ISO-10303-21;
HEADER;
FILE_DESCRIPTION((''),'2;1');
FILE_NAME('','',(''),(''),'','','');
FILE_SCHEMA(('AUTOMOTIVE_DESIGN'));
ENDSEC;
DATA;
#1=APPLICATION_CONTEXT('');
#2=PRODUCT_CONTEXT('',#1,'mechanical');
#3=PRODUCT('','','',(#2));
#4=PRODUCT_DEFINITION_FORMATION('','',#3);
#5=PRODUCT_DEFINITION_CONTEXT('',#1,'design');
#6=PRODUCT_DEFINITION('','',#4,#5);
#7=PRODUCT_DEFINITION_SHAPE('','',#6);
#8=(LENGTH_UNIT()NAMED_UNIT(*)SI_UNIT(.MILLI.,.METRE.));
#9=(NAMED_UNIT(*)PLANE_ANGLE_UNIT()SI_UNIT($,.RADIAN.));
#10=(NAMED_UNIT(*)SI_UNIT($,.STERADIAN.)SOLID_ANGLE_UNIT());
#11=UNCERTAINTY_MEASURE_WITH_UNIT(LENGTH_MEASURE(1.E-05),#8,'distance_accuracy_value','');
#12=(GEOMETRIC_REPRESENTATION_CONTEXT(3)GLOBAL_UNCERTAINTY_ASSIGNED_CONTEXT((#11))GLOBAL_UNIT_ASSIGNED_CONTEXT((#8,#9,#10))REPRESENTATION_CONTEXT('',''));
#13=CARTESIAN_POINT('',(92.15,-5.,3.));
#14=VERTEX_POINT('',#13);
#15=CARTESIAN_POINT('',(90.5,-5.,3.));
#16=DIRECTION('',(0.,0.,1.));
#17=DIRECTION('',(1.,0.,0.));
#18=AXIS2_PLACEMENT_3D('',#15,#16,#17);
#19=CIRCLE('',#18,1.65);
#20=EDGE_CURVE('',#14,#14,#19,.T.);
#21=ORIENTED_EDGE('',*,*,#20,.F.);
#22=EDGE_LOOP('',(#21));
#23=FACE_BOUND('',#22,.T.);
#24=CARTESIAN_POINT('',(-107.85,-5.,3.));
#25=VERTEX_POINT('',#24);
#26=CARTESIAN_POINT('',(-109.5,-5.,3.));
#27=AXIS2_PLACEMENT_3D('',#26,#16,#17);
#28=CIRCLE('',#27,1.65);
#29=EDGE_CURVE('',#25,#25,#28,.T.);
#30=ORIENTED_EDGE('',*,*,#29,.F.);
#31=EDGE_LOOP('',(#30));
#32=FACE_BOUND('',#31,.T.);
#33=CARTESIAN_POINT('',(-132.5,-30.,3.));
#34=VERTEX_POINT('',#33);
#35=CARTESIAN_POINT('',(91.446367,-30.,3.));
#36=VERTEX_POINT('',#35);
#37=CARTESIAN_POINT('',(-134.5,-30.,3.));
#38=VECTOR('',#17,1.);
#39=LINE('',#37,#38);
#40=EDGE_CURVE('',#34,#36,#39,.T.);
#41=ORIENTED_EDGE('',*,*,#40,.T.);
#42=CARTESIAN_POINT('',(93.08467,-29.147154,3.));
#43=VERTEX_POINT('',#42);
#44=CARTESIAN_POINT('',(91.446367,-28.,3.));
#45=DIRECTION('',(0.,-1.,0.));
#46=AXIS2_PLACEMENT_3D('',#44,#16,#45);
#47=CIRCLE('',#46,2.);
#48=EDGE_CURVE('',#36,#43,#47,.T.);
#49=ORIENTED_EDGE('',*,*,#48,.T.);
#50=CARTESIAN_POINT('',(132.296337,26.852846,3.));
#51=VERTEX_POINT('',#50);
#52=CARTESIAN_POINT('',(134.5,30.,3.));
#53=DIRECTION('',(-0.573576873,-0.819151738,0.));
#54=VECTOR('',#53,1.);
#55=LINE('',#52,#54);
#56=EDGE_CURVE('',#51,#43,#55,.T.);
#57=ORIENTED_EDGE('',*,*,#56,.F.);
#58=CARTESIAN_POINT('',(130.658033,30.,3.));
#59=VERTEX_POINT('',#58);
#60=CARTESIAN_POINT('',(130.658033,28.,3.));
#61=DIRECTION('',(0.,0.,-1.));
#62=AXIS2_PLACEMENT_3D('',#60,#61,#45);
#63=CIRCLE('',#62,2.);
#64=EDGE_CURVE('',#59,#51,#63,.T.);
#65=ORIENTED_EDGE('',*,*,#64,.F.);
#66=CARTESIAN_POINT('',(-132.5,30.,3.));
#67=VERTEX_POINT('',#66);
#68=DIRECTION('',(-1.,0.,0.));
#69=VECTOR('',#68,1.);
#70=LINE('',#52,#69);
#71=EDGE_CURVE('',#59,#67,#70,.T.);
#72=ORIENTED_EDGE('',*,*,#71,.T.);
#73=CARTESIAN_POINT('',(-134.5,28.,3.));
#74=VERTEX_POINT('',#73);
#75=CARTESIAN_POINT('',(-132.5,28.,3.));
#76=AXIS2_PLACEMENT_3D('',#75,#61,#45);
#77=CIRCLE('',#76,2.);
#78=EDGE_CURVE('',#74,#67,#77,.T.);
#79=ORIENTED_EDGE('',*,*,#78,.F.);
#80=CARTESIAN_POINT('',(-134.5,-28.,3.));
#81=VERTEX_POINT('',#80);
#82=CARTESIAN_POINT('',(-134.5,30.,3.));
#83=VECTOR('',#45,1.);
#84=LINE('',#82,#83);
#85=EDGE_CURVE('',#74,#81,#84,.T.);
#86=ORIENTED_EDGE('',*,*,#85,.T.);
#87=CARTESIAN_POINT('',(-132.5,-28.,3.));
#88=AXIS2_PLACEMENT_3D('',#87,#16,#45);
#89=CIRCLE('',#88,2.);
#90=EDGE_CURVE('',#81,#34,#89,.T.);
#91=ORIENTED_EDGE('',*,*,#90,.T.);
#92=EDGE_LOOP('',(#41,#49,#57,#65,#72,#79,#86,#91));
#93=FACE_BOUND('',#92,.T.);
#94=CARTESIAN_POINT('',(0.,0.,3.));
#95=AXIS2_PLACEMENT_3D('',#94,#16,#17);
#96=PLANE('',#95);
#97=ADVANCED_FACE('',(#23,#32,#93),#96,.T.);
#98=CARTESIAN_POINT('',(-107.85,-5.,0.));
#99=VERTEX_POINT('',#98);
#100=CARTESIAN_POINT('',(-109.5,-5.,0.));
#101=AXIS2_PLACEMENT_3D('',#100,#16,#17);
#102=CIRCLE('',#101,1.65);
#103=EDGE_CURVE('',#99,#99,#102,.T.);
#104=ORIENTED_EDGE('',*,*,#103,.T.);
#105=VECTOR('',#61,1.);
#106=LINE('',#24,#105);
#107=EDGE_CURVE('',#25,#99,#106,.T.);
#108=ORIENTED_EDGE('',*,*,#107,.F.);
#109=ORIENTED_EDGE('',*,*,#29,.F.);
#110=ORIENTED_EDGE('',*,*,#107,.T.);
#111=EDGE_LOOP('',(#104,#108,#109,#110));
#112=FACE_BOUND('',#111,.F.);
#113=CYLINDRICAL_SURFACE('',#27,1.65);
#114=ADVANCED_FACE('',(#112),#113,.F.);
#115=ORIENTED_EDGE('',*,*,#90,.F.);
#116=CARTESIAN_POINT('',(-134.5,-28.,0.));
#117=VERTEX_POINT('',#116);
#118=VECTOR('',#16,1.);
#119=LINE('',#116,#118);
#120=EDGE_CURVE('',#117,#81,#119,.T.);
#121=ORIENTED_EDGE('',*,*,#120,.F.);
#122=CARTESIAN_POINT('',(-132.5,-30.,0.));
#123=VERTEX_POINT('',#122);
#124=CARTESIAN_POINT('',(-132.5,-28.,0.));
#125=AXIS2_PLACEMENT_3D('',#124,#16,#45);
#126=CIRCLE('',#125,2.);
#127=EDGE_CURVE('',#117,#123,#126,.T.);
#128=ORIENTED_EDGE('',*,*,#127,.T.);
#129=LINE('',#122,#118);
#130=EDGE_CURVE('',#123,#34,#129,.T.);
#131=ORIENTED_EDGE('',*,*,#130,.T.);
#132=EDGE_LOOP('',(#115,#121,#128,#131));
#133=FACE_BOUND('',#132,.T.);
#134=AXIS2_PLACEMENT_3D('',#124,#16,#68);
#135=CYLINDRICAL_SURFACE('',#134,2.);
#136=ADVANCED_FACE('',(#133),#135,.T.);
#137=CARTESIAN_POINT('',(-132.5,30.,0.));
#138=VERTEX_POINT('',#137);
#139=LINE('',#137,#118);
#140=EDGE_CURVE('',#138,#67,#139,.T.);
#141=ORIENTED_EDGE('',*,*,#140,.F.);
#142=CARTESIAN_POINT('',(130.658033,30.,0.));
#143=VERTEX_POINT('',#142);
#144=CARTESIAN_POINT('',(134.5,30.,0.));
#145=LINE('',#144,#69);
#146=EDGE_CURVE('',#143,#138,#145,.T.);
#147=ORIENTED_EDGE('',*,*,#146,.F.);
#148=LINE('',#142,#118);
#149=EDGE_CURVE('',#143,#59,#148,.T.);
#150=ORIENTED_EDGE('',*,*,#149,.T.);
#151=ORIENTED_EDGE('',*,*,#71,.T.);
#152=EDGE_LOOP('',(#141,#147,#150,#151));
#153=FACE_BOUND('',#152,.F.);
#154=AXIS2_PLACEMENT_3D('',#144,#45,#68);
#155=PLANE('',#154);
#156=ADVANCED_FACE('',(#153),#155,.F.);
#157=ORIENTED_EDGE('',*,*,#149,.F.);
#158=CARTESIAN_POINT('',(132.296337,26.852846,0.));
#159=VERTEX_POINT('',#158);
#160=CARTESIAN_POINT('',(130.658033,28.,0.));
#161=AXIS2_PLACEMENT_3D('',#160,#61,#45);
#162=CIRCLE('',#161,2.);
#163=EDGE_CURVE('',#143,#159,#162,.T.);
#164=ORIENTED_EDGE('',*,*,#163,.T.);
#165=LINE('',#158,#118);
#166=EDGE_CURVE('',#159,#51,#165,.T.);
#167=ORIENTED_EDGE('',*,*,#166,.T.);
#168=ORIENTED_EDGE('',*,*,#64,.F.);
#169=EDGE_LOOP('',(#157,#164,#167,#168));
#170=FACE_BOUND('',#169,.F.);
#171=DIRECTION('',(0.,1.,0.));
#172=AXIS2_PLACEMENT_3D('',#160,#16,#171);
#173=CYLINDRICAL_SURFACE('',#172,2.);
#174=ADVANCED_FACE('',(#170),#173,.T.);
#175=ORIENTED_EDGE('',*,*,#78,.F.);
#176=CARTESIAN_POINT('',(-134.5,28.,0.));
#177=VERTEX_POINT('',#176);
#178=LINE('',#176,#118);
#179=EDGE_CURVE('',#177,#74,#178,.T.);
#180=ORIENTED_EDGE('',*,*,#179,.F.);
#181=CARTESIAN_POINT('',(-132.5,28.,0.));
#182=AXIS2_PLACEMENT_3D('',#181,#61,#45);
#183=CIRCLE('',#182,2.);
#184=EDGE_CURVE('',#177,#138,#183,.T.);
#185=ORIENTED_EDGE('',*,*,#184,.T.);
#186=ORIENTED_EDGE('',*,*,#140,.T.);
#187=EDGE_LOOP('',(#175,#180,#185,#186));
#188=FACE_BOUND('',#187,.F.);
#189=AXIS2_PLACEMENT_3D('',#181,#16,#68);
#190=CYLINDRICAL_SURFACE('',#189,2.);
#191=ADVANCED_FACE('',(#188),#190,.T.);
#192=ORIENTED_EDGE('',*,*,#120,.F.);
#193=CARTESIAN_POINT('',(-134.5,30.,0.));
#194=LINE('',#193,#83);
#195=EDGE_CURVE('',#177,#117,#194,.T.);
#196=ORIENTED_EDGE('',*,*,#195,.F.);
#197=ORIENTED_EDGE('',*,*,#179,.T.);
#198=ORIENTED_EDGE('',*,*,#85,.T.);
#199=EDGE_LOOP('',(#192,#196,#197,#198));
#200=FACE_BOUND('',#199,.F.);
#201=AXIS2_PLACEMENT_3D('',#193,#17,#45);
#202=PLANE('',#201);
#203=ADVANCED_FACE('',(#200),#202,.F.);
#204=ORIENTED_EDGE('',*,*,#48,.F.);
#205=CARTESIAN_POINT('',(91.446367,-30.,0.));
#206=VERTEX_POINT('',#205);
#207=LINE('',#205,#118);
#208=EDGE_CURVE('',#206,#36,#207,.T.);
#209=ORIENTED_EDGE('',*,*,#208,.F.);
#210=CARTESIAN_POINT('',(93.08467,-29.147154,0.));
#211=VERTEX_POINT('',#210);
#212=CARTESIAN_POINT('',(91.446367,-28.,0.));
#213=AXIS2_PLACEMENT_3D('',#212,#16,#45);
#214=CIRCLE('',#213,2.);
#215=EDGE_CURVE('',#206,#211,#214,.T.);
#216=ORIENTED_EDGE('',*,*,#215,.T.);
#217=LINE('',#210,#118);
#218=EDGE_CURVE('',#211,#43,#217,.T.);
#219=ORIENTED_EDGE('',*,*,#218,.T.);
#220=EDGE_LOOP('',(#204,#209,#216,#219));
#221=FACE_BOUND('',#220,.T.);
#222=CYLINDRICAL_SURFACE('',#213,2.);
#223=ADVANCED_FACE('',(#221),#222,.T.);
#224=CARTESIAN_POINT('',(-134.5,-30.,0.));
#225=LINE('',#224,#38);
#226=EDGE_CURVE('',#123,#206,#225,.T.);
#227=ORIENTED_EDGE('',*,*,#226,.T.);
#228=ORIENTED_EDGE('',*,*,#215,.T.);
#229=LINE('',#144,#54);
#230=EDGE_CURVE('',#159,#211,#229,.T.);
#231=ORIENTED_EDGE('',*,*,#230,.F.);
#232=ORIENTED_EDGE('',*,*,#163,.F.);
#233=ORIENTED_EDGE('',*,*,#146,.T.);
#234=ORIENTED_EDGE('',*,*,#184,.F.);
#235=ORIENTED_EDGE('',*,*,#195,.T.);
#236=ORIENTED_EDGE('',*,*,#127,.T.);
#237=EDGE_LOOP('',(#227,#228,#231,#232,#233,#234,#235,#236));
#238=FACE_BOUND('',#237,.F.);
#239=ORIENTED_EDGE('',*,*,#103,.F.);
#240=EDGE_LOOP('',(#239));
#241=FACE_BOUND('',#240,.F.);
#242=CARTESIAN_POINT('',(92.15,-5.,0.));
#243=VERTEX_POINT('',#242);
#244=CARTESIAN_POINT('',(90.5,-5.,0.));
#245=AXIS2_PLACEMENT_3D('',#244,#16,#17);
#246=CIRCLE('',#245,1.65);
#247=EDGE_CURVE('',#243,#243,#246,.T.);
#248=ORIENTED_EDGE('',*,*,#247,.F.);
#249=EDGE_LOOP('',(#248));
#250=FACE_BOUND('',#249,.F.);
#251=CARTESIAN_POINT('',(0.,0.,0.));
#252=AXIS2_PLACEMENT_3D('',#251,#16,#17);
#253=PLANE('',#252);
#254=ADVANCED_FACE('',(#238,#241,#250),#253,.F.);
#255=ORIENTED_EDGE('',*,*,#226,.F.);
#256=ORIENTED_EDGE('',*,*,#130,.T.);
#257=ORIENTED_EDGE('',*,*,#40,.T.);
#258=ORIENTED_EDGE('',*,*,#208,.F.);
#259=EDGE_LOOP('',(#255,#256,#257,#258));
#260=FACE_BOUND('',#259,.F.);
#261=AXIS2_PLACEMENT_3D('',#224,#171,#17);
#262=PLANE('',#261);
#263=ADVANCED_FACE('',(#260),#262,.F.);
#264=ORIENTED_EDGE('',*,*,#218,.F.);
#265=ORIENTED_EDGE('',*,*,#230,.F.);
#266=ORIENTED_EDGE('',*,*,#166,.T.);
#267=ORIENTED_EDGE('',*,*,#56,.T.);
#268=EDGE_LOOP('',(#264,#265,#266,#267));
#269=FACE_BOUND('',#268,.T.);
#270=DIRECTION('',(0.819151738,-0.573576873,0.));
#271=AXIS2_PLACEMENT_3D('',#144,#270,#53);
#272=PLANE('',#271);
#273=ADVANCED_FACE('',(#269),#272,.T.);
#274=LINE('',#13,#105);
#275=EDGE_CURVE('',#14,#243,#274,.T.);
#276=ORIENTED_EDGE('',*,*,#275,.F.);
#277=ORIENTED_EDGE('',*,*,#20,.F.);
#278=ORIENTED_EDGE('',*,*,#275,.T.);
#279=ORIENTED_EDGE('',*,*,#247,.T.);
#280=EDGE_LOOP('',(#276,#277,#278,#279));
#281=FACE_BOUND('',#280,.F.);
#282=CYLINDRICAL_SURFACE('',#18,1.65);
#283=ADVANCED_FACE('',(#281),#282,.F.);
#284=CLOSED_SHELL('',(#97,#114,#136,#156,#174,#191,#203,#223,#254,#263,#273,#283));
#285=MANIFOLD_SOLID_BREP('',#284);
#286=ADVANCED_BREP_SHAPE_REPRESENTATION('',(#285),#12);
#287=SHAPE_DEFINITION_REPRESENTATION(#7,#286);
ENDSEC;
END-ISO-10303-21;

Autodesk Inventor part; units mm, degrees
ref_plane "YZ Plane" through (0, 0, 0) normal (1, 0, 0) x (0, 1, 0)
ref_plane "XZ Plane" through (0, 0, 0) normal (0, 1, 0) x (-1, 0, 0)
ref_plane "XY Plane" through (0, 0, 0) normal (0, 0, 1) x (1, 0, 0)
sketch "Sketch1" plane through (0, 0, 0) normal (0, 0, 1) x (1, 0, 0)
  line L0 (-134.5, -30) -> (134.5, -30)
  line L1 (134.5, -30) -> (134.5, 30)
  line L2 (134.5, 30) -> (-134.5, 30)
  line L3 (-134.5, 30) -> (-134.5, -30)
  line L4 (-134.5, -30) -> (134.5, 30) construction
  line L5 (134.5, -30) -> (-134.5, 30) construction
  line L6 (134.5, 30) -> (92.4875, -30)
  point P0 (0, 0)
  dimension "d0" = 269
  dimension "d1" = 60
  dimension "d2" = 55
extrude "Extrusion1" add sketch "Sketch1" along normal blind 3 contours L3 L2 L6 L0
sketch "Sketch2" plane through (0, 0, 3) normal (0, 0, 1) x (1, 0, 0)
  circle A0 centre (-109.5, -5) radius 1.65
  line L0 (-134.5, -30) -> (92.4875, -30) projected
  line L1 (-134.5, 30) -> (-134.5, -30) projected
  line L2 (-109.5, -5) -> (151.1099, -5) construction
  circle A1 centre (90.5, -5) radius 1.65
  point P0 (0, 0)
  dimension "d5" = 25
  dimension "d6" = 3.3
  dimension "d7" = 25
  dimension "d8" = 225
  dimension "d9" = 3.3
extrude "Extrusion2" cut sketch "Sketch2" against normal through all
fillet "Fillet1" radius 2 4 edges at (-134.5, 30, 1.5) (-134.5, -30, 1.5) (92.4875, -30, 1.5) (134.5, 30, 1.5)
sketch "Sketch3" plane through (0, 0, 3) normal (0, 0, 1) x (1, 0, 0)
  arc A0 (132.2963, 26.8528) -> (130.658, 30) centre (130.658, 28) ccw projected
  line L0 (130.658, 30) -> (-132.5, 30) projected
  arc A1 (-132.5, 30) -> (-134.5, 28) centre (-132.5, 28) ccw projected
  line L1 (-134.5, 28) -> (-134.5, -28) projected
  arc A2 (-134.5, -28) -> (-132.5, -30) centre (-132.5, -28) ccw projected
  line L2 (-132.5, -30) -> (91.4464, -30) projected
  arc A3 (91.4464, -30) -> (93.0847, -29.1472) centre (91.4464, -28) ccw projected
  line L3 (93.0847, -29.1472) -> (132.2963, 26.8528) projected
  circle A4 centre (90.5, -5) radius 1.65 projected
  circle A5 centre (-109.5, -5) radius 1.65 projected
  point P0 (0, 0)
equation "\"d9\" = d6"
properties part number "UpperAcrylicSheetSide"
